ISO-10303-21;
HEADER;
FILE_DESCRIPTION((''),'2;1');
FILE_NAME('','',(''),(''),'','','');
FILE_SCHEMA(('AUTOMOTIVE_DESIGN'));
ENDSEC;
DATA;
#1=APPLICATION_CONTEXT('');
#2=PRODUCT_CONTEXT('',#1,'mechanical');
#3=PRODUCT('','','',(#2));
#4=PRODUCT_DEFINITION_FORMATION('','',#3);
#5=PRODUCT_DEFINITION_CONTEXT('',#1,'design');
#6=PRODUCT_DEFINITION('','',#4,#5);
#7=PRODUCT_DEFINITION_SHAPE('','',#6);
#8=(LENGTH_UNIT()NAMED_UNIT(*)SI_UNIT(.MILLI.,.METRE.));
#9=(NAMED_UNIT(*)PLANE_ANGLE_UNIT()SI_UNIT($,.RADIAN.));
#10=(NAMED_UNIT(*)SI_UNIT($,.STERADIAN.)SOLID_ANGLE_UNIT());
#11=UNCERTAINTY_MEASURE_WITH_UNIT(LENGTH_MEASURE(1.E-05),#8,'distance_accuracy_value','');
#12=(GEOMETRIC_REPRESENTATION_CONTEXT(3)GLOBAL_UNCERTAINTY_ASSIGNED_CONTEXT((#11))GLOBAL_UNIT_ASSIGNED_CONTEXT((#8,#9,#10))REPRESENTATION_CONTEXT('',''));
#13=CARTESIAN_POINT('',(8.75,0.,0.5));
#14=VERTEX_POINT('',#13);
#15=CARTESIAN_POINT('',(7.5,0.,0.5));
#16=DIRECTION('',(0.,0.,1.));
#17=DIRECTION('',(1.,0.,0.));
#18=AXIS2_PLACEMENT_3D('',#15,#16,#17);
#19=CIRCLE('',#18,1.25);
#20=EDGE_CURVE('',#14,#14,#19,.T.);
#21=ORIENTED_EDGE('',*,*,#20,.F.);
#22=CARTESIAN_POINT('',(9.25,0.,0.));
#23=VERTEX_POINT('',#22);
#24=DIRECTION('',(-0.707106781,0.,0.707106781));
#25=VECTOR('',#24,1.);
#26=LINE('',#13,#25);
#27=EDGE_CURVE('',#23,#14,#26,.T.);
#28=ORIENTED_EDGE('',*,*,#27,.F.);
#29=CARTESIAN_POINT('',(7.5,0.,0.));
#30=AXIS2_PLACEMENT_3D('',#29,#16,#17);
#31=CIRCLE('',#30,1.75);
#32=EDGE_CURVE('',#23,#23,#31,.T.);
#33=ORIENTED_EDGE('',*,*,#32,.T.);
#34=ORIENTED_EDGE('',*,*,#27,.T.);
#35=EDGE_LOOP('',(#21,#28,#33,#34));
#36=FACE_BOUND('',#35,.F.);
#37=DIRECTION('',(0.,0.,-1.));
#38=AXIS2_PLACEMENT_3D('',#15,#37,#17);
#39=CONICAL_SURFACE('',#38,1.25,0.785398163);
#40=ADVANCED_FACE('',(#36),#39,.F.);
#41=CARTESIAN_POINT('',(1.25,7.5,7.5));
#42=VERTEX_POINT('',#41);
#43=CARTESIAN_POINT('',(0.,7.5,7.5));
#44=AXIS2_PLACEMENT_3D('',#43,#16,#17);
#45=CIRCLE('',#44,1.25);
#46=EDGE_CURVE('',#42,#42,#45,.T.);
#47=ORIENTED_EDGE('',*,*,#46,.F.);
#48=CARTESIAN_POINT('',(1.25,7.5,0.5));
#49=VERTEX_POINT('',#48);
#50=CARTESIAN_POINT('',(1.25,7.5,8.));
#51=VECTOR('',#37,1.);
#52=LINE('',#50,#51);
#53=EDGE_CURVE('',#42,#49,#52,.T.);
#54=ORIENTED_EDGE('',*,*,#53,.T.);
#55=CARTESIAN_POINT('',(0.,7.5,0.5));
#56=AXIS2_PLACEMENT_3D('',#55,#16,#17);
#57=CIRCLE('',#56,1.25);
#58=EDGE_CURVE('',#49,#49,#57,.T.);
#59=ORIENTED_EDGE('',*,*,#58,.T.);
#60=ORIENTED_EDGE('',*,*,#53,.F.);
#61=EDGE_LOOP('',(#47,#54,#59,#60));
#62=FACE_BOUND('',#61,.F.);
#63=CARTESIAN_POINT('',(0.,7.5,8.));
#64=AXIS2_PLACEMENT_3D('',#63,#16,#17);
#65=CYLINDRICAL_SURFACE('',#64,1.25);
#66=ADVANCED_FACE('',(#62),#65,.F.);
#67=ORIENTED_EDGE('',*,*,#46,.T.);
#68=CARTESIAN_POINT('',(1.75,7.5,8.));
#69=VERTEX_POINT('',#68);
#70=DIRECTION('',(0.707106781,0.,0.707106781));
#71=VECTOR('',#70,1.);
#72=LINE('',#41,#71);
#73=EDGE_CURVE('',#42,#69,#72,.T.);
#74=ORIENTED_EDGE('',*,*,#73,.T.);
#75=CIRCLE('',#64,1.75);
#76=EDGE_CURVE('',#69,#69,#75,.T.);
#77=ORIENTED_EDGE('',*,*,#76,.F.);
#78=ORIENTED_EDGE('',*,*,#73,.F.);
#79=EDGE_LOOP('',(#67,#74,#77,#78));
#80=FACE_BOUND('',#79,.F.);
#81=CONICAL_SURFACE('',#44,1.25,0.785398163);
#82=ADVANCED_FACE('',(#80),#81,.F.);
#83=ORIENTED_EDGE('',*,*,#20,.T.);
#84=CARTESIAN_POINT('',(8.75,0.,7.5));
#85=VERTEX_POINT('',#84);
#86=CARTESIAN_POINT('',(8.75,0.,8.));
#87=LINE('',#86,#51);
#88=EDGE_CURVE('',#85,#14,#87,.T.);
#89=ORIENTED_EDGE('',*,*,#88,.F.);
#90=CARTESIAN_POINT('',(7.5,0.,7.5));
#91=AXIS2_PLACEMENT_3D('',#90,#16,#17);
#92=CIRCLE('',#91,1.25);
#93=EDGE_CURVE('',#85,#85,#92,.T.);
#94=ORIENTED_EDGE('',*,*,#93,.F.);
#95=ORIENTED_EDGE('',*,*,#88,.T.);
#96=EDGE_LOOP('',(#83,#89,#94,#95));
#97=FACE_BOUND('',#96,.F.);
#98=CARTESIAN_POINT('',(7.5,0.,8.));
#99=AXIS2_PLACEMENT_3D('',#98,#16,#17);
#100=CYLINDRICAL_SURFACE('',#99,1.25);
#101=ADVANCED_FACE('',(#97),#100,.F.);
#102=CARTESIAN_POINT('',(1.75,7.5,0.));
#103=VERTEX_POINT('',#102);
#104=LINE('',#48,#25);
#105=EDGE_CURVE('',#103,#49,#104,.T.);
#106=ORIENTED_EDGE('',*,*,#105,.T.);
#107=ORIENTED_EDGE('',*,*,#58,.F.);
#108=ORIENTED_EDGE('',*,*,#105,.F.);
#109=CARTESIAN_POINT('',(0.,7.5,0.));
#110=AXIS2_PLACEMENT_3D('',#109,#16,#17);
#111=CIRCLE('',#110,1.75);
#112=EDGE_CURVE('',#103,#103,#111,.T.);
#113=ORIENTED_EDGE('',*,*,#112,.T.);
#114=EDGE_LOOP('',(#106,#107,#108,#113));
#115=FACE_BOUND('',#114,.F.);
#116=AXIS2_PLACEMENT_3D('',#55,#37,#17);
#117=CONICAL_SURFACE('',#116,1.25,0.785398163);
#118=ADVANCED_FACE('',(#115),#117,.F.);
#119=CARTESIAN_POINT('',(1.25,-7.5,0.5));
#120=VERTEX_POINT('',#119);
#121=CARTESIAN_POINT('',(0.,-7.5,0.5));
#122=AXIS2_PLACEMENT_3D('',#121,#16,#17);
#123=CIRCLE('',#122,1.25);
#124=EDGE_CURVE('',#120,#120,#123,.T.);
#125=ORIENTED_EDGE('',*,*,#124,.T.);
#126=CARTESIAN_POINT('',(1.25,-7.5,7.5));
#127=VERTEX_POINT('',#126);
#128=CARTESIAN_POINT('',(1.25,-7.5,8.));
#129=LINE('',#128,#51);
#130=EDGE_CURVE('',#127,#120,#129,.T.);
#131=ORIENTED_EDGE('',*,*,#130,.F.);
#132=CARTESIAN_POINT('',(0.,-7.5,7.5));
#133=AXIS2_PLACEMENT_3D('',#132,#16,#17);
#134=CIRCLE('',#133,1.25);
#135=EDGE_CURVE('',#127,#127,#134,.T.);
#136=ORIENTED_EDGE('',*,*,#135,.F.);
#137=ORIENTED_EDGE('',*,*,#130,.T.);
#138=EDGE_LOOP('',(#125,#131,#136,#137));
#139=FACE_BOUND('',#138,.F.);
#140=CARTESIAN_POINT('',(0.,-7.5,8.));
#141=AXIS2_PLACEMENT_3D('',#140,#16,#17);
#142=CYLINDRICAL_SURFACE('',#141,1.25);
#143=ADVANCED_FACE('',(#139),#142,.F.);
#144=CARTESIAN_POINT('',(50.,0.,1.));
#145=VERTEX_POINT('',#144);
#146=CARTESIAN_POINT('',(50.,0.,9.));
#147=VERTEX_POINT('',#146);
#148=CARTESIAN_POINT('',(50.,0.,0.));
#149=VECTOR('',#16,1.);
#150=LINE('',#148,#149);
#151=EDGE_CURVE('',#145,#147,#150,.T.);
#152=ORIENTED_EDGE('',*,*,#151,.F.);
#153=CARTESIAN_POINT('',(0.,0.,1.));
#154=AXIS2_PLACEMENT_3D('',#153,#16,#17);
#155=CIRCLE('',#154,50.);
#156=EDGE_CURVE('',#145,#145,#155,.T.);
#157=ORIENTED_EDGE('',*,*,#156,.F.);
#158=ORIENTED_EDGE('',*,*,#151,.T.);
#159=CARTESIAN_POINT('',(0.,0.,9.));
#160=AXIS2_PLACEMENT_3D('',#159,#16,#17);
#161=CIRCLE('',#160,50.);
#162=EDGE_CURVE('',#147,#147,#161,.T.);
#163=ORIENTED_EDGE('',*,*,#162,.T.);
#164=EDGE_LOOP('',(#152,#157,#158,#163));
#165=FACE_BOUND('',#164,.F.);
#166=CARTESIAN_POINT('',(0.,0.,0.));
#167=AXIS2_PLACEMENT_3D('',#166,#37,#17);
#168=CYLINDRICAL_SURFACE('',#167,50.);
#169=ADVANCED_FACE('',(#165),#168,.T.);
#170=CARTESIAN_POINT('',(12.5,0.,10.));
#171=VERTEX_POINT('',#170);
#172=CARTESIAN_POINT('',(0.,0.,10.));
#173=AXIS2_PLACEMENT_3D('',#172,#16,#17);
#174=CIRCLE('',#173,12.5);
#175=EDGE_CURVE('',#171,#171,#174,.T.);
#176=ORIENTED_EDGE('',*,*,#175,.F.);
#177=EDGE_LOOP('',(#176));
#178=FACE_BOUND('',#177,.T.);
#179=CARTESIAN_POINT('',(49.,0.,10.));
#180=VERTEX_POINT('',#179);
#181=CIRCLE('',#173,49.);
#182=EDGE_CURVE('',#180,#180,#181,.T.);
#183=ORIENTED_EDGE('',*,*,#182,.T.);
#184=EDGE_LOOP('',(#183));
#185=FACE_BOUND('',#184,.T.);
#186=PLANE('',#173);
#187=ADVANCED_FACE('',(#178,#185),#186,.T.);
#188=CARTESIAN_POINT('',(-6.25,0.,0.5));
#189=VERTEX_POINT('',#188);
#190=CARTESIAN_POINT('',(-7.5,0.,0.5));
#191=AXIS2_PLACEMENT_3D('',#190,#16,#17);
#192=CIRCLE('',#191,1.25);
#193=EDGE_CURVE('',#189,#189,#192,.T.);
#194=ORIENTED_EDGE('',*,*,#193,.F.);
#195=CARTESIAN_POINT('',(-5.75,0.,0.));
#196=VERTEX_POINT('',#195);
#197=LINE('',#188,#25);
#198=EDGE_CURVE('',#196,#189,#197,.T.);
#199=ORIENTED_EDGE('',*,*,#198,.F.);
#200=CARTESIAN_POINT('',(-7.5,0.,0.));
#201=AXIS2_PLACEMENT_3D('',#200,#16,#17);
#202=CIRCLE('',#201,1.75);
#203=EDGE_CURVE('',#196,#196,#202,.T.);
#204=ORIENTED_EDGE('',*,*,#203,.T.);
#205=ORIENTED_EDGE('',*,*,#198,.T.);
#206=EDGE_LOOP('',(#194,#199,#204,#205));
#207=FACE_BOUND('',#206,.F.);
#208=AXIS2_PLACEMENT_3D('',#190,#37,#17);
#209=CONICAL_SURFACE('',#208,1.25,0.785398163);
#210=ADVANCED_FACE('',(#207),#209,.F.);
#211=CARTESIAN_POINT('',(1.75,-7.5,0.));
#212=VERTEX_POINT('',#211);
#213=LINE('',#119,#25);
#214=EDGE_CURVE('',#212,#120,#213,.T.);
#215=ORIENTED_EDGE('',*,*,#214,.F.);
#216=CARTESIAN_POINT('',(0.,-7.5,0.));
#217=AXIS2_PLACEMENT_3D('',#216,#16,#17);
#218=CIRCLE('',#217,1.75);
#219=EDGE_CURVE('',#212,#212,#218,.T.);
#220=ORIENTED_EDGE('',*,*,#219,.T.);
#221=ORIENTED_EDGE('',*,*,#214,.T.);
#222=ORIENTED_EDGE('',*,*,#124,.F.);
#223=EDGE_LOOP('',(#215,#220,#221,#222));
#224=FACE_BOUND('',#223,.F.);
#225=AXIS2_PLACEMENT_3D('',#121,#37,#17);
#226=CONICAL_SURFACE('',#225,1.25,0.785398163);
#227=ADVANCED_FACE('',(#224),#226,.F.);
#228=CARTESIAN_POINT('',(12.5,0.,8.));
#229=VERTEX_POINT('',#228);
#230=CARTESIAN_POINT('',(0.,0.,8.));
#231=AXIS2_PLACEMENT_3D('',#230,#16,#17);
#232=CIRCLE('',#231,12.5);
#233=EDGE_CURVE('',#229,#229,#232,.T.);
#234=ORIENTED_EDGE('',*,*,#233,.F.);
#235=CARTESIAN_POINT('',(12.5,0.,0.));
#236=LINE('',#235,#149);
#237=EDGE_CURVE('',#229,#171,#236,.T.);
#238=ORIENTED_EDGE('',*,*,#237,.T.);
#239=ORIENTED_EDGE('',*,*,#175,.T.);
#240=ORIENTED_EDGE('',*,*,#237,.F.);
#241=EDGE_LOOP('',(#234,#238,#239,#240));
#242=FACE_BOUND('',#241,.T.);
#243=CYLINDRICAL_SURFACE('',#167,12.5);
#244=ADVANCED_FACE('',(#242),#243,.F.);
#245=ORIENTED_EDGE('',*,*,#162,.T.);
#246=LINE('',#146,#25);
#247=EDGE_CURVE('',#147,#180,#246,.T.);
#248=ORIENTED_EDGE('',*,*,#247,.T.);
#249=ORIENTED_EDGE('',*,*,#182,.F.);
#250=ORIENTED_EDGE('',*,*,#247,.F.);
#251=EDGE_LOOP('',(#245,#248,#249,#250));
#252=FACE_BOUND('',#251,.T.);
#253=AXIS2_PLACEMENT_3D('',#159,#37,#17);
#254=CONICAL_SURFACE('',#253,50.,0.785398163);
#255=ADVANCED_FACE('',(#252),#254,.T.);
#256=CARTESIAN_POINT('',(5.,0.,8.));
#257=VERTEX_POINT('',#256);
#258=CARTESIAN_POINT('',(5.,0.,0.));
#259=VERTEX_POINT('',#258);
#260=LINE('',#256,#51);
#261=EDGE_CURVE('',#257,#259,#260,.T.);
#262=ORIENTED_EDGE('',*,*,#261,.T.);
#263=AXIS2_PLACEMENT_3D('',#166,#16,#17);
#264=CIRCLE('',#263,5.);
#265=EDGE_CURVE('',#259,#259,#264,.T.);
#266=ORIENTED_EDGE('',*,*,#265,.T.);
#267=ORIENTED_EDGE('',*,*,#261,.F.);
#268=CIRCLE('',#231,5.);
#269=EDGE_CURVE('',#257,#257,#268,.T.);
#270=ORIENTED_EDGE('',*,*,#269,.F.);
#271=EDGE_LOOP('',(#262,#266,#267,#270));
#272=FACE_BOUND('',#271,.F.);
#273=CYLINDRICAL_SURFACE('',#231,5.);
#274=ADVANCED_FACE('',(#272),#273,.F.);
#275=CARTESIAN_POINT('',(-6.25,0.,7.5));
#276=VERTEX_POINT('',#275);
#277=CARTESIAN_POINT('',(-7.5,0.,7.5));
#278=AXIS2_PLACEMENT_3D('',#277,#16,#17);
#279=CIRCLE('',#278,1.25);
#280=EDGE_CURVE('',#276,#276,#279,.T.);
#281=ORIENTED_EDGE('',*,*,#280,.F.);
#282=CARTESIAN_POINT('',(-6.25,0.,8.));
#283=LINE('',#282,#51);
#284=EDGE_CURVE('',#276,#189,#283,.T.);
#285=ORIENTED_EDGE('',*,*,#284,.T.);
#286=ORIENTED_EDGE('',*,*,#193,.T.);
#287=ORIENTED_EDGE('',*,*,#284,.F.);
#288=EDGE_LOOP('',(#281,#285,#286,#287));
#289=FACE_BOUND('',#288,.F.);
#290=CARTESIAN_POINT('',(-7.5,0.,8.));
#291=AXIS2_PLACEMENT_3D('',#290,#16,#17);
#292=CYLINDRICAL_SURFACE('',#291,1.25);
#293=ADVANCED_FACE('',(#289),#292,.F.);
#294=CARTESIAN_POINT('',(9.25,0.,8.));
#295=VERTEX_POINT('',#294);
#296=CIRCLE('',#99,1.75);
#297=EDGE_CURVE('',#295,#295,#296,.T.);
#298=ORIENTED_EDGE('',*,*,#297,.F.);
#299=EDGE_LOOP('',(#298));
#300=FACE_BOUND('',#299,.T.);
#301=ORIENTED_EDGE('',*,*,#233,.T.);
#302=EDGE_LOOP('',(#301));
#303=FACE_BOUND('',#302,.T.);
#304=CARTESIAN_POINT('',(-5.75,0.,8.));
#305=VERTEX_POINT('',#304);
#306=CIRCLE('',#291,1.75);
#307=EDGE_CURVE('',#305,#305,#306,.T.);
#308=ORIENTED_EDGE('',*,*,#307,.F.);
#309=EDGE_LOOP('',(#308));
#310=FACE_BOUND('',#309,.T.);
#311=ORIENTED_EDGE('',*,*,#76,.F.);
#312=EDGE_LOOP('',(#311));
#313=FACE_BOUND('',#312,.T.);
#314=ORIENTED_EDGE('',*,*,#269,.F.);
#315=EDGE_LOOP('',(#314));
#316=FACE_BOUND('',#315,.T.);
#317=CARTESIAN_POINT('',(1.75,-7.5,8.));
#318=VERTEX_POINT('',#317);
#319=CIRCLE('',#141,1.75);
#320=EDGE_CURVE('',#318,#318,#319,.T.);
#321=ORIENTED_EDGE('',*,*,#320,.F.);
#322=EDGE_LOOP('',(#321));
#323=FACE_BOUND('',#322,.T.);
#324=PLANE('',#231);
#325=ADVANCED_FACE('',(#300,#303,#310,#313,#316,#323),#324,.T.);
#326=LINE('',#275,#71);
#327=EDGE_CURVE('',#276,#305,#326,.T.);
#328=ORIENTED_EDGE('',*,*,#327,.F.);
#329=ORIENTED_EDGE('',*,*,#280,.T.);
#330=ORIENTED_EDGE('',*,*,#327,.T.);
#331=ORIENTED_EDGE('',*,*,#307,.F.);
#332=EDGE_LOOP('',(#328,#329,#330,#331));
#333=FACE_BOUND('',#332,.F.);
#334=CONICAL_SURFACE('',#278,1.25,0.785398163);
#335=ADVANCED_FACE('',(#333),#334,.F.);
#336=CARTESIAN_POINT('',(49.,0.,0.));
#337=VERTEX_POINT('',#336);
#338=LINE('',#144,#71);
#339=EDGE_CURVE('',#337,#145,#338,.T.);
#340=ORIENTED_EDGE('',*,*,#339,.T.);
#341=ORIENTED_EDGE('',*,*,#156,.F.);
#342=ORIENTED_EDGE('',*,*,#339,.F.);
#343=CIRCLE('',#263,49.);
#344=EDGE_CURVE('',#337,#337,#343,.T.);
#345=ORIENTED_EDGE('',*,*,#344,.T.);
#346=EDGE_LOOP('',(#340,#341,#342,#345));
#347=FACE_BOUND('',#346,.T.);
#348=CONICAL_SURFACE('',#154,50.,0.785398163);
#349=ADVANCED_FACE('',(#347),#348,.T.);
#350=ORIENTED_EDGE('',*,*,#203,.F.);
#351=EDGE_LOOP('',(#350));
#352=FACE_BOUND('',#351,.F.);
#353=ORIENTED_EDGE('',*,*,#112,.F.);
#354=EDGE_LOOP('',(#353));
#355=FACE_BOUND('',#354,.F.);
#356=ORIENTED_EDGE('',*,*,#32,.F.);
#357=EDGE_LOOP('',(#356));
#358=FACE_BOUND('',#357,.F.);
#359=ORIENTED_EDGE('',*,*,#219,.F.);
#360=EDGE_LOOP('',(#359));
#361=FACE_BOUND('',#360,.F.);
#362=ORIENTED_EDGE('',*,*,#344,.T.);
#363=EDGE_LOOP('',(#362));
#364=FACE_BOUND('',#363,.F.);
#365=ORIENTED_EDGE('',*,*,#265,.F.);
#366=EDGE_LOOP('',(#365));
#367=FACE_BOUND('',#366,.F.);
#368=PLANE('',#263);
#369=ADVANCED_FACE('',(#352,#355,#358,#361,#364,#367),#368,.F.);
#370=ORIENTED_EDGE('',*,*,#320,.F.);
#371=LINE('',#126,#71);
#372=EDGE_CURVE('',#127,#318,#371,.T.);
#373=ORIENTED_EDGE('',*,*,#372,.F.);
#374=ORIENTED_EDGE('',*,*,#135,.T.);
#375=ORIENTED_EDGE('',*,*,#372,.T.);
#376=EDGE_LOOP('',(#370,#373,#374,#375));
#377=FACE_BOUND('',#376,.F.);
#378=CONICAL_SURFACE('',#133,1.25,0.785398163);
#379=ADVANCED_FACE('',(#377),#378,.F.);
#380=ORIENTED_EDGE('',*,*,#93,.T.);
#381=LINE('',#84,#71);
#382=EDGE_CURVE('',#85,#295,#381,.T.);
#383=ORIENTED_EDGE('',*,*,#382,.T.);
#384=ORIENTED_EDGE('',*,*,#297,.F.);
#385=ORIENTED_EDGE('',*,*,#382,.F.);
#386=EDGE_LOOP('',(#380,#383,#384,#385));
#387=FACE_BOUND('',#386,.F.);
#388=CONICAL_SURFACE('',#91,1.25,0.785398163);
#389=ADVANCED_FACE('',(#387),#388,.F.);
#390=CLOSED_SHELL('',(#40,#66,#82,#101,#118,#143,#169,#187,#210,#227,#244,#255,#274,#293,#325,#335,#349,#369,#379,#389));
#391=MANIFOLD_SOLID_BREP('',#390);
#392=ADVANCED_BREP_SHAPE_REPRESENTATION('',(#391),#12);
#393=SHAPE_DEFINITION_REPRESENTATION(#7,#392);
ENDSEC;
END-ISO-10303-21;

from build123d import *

# Parameters (mm, degrees)
F0_R     = 50
F0_R_2   = 12.5
F1_DEPTH = 10
F2_DEPTH = 8
F3_R     = 5
F3_R_2   = 1.25
F4_DEPTH = 25
F5_SIZE  = 1
F6_SIZE  = 0.5


with BuildPart() as f1:
    # F0 (on Top) → F1 (new body)
    with BuildSketch(Plane.XY):
        Circle(F0_R)
        Circle(F0_R_2, mode=Mode.SUBTRACT)
    extrude(amount=F1_DEPTH)

    # F0 (on Top) → F2 (join)
    with BuildSketch(Plane.XY):
        Circle(F0_R_2)
    extrude(amount=F2_DEPTH)

    # F3 (on face) → F4 (cut)
    with BuildSketch(Plane.XY.offset(8)):
        Circle(F3_R)
        with Locations((-7.5, 0)):
            Circle(F3_R_2)
        with Locations((0, 7.5)):
            Circle(F3_R_2)
        with Locations((7.5, 0)):
            Circle(F3_R_2)
        with Locations((0, -7.5)):
            Circle(F3_R_2)
    extrude(amount=-F4_DEPTH, mode=Mode.SUBTRACT)

    # F5
    f5_edges = [f1.edges().sort_by_distance(p)[0] for p in [
        (-50, 0, 0),
        (-50, 0, 10),
    ]]
    chamfer(f5_edges, length=F5_SIZE)

    # F6
    f6_edges = [f1.edges().sort_by_distance(p)[0] for p in [
        (-8.75, 0, 0),
        (-1.25, -7.5, 0),
        (6.25, 0, 0),
        (-1.25, 7.5, 0),
        (6.25, 0, 8),
        (-1.25, -7.5, 8),
        (-1.25, 7.5, 8),
        (-8.75, 0, 8),
    ]]
    chamfer(f6_edges, length=F6_SIZE)


solid = f1.part
